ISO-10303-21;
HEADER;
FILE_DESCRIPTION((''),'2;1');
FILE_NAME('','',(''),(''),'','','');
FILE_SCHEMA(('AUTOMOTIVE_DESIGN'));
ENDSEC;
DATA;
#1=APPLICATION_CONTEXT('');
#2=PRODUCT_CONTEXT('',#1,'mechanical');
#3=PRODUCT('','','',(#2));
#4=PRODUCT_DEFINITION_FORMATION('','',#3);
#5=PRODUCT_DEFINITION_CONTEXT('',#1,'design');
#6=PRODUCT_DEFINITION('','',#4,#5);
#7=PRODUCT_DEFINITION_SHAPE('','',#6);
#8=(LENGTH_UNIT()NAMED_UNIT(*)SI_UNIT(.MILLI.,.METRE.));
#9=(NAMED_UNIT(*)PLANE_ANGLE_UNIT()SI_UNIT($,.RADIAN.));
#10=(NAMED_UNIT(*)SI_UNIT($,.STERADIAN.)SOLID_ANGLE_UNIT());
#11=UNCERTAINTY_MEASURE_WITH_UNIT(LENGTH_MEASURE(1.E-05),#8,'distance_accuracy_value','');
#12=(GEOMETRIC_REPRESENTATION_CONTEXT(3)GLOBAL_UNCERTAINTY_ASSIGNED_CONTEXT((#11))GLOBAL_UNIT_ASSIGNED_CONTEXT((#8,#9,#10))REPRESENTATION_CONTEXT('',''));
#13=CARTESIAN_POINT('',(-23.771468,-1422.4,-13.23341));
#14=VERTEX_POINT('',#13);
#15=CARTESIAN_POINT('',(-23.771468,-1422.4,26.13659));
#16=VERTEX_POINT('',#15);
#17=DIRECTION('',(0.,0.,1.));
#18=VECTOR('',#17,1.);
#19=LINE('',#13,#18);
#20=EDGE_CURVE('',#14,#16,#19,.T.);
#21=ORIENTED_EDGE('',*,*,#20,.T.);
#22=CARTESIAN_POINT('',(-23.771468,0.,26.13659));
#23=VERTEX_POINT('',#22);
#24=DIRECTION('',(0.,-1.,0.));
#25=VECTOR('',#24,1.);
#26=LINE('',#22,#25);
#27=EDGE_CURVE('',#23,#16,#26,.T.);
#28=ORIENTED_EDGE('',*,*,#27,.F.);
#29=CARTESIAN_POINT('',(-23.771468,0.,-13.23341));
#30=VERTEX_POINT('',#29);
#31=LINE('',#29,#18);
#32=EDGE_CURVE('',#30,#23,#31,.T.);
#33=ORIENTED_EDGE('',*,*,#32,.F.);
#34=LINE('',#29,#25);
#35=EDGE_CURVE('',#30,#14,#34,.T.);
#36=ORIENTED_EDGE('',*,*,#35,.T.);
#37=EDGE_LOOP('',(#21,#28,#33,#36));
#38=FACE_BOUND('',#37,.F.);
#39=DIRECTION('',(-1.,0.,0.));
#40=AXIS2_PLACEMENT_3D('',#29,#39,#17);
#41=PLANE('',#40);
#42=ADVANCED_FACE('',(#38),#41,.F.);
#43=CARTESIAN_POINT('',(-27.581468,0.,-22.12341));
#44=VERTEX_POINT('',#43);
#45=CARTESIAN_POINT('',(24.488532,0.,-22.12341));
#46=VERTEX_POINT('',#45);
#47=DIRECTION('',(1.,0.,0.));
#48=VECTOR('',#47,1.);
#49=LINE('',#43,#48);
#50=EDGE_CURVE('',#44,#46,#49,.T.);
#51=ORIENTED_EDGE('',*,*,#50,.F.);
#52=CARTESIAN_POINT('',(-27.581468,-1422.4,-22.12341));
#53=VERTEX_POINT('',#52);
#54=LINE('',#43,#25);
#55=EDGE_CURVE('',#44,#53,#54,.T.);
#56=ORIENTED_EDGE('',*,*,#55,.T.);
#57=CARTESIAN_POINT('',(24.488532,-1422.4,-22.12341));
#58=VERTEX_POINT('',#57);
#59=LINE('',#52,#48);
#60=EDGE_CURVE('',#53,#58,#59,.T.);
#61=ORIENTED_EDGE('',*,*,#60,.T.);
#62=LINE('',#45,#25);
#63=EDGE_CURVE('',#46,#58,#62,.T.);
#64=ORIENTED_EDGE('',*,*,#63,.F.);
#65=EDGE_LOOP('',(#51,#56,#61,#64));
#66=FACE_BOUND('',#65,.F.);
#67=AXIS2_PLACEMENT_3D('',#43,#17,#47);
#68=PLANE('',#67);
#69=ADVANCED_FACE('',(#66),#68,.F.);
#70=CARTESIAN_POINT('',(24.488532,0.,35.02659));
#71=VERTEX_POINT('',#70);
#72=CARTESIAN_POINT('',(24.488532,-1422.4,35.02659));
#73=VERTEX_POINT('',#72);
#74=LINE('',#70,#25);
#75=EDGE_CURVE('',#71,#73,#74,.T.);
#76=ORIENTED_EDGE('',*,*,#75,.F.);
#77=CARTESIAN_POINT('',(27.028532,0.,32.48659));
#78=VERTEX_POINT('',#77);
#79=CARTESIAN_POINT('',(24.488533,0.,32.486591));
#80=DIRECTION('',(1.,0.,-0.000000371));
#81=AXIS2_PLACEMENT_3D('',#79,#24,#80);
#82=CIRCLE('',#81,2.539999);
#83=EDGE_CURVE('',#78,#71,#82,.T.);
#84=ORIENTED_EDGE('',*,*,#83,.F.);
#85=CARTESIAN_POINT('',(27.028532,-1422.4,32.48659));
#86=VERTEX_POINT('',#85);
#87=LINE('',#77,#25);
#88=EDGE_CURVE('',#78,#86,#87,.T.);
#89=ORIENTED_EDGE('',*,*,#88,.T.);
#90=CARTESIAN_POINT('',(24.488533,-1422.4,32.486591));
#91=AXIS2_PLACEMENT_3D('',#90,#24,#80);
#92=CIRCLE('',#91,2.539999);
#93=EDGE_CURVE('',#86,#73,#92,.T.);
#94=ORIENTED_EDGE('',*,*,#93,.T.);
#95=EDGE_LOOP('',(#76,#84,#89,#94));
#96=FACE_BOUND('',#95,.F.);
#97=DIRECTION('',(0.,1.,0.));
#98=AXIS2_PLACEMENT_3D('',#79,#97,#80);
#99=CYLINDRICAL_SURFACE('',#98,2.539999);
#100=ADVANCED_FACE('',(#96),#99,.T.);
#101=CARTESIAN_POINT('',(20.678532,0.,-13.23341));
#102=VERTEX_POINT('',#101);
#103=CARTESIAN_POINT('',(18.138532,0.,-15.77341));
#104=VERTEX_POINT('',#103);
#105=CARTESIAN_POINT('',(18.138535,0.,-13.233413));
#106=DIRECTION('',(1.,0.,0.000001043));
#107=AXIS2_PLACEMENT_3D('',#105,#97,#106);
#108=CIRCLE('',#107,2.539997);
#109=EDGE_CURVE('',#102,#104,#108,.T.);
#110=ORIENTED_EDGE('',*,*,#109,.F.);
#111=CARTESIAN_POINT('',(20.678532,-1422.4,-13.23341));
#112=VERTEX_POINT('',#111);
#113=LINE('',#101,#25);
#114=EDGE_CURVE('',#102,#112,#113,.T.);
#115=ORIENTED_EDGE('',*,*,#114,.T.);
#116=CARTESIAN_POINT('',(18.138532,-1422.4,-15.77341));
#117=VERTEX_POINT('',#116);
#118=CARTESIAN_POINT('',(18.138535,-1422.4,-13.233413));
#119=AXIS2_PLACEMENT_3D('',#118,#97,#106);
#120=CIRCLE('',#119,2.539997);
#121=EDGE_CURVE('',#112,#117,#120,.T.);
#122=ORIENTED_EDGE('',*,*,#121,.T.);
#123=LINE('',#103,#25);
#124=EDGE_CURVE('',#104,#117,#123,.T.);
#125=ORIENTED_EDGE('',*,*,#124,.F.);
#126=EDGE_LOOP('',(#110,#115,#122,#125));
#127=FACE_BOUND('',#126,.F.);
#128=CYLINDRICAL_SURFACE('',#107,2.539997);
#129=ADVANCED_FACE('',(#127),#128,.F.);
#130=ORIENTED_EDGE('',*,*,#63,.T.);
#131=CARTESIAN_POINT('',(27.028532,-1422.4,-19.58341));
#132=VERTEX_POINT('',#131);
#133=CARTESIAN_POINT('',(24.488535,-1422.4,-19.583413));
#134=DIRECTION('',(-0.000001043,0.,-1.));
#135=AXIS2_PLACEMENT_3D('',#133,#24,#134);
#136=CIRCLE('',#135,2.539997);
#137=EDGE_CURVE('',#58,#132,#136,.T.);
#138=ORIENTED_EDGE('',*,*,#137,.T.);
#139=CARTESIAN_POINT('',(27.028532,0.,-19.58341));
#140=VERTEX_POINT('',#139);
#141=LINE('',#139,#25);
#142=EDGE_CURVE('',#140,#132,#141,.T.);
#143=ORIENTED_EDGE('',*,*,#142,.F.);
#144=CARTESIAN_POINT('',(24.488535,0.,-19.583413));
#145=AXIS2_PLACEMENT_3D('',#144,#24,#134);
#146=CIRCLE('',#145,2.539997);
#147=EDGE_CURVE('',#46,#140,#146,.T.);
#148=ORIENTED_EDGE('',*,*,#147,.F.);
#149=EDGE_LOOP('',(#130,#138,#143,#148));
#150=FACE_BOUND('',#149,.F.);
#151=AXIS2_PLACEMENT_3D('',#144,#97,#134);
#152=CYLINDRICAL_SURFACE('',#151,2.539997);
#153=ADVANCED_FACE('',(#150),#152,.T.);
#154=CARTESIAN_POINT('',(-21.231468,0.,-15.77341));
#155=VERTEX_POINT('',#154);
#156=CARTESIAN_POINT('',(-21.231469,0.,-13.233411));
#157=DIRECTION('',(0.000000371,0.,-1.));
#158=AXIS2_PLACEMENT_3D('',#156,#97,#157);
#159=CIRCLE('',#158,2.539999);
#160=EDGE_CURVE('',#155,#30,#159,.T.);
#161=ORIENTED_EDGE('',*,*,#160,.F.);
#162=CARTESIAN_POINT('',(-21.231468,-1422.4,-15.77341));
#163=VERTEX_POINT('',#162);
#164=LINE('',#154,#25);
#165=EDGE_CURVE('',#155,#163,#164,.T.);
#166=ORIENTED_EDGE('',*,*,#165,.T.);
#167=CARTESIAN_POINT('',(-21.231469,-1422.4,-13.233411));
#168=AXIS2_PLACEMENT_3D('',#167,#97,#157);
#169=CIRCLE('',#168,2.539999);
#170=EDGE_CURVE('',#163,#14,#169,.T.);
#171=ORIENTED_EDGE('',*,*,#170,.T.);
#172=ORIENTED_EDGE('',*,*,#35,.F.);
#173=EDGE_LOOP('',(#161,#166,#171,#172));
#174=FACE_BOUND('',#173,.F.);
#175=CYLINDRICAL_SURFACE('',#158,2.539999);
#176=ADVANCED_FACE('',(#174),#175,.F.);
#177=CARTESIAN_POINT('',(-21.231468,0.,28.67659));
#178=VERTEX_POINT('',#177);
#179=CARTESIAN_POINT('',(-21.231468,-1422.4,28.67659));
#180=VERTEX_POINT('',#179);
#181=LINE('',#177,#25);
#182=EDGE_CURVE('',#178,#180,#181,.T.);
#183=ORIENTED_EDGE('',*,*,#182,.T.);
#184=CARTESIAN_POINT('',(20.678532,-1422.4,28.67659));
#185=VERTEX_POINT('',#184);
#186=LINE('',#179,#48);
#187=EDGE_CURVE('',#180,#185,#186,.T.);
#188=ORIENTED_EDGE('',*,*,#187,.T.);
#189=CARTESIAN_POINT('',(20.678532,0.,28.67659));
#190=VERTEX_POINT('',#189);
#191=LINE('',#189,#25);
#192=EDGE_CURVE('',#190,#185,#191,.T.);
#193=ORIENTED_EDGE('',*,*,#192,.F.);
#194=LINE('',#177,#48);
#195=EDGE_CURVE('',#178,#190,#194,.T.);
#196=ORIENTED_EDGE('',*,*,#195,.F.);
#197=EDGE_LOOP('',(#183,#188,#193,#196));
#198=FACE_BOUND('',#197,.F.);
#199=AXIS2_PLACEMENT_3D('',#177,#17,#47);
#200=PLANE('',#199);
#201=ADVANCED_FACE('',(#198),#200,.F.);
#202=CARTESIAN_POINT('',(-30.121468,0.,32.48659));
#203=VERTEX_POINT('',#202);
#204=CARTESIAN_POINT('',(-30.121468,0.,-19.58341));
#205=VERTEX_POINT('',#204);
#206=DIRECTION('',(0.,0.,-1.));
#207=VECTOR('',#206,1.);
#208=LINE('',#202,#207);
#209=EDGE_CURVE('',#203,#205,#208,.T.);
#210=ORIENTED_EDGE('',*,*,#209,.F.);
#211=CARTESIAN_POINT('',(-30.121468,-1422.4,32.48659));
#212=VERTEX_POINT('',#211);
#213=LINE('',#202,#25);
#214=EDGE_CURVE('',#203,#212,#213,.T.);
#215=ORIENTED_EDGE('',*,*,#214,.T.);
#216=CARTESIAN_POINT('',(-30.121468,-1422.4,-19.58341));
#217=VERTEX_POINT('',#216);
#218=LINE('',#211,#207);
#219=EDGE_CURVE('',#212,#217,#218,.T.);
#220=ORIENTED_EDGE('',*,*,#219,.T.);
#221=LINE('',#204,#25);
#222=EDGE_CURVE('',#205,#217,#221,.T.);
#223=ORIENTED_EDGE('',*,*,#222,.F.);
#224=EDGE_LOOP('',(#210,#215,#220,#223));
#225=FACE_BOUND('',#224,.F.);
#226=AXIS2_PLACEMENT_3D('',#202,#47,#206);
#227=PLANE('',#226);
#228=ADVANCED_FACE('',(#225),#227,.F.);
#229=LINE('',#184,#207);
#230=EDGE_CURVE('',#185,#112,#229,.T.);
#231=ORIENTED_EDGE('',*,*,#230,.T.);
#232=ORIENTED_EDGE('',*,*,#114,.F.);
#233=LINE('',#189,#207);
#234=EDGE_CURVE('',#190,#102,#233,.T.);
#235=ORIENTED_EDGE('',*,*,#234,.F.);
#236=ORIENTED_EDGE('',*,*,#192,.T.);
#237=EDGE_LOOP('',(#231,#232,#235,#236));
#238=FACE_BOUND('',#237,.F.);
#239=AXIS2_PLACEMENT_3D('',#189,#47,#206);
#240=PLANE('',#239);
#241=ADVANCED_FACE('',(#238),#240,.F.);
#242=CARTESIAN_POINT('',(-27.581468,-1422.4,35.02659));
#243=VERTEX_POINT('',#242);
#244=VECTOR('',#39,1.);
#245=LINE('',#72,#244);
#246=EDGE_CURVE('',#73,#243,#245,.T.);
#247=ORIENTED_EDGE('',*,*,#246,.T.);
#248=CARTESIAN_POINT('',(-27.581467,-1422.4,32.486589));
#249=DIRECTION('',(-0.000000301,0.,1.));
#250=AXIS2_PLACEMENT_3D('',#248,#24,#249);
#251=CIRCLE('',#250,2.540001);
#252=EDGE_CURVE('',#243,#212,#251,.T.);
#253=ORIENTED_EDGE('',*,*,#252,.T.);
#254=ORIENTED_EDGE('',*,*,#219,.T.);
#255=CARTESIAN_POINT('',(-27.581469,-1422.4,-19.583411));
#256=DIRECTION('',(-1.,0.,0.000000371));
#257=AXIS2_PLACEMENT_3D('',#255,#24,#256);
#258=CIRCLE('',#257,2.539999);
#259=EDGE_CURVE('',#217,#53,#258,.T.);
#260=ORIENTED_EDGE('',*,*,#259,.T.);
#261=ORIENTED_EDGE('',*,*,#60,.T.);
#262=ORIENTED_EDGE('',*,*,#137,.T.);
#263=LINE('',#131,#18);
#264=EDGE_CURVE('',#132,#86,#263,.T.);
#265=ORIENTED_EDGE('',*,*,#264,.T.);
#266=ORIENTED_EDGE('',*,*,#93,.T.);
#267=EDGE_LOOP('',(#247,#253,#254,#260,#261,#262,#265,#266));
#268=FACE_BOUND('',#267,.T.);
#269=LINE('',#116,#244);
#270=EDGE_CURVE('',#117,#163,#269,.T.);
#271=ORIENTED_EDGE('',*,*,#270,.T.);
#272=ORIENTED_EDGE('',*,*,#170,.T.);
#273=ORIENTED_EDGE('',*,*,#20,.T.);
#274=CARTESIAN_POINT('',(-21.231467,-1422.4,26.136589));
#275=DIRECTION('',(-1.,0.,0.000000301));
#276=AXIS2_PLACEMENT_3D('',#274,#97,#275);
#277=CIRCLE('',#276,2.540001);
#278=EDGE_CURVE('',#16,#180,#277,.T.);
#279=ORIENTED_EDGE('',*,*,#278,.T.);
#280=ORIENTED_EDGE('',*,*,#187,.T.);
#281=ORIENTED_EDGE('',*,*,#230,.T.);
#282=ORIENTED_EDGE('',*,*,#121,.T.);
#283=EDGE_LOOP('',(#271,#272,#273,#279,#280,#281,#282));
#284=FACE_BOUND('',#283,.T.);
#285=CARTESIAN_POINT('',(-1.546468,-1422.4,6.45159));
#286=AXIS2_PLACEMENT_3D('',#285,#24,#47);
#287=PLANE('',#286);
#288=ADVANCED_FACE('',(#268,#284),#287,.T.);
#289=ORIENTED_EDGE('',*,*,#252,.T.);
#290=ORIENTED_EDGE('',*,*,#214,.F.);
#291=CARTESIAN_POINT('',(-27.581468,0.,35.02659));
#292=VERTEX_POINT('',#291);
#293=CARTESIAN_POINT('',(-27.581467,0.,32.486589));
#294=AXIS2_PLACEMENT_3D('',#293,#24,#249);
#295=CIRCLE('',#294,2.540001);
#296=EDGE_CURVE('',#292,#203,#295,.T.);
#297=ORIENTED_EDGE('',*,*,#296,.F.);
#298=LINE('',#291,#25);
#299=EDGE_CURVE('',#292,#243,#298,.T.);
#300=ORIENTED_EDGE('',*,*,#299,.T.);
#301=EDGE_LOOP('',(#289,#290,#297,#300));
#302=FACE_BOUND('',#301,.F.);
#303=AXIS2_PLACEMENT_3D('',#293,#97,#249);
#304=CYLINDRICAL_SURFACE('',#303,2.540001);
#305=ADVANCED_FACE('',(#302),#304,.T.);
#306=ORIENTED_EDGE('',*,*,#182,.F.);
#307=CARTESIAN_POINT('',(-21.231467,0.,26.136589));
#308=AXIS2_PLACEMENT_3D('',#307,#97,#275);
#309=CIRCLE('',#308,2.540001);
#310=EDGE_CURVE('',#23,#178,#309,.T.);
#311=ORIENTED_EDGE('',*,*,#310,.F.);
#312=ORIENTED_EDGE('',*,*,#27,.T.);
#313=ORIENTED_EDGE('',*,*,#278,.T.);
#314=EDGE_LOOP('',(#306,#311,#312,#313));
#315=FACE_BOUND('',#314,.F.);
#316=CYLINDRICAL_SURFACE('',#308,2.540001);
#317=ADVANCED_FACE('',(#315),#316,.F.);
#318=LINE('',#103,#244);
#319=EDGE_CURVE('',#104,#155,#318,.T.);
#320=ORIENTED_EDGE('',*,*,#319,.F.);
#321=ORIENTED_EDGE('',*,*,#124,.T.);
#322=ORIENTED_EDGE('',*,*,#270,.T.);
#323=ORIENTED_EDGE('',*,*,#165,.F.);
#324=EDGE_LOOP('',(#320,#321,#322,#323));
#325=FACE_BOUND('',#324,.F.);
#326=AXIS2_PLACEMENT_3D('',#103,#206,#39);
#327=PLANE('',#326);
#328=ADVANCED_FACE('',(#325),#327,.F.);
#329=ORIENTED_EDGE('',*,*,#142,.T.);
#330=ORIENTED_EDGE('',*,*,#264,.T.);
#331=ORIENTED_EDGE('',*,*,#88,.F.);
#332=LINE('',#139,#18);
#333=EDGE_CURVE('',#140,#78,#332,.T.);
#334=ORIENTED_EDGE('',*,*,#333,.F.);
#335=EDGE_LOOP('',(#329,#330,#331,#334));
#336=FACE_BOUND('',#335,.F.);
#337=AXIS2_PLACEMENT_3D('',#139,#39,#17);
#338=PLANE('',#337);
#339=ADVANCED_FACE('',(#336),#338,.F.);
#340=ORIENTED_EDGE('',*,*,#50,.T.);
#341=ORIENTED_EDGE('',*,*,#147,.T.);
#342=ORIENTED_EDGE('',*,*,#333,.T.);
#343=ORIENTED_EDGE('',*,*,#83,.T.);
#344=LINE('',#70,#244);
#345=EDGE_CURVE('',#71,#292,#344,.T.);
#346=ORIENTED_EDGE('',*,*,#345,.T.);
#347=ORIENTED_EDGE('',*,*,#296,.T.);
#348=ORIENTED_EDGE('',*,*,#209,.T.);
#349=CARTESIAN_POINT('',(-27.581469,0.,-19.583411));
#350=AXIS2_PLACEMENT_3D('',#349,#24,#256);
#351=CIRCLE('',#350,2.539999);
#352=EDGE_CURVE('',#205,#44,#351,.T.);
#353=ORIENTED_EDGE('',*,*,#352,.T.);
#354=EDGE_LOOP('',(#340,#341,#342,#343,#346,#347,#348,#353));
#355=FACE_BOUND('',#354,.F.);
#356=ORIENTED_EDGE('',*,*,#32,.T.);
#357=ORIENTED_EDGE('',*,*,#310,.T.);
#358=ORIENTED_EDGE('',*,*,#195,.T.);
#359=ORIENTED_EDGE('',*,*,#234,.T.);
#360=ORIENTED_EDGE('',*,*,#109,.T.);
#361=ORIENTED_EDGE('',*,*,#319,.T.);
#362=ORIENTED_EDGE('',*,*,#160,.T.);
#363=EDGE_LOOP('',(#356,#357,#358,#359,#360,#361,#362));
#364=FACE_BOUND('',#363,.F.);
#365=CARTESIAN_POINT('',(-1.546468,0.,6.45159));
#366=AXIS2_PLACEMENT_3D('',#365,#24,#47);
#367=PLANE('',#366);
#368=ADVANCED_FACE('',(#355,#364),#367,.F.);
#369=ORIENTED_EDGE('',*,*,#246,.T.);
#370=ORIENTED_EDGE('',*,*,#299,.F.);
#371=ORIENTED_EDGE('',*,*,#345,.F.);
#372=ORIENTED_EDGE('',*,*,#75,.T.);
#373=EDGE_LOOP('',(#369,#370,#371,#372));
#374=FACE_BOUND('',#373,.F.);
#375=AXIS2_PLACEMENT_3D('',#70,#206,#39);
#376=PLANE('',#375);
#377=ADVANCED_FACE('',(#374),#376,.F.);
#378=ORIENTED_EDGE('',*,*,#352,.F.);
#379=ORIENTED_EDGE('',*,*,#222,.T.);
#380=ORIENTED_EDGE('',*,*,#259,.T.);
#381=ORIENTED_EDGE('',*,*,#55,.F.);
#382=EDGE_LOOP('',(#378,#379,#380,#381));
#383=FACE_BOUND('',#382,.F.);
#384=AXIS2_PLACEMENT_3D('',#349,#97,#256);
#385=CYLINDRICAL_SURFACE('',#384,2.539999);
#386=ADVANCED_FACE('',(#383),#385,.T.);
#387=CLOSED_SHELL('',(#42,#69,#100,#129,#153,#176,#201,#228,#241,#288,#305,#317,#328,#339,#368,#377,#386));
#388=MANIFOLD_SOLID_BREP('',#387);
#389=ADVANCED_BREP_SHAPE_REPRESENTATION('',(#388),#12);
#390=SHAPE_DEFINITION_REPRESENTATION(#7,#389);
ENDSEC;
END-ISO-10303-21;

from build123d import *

# Parameters (mm, degrees)
F1_DEPTH = 1422.4


with BuildPart() as f1:
    # F0 (on Front) → F1 (new body)
    with BuildSketch(Plane.XZ):
        with BuildLine():
            Line((24.488532, 35.02659), (-27.581468, 35.02659))
            ThreePointArc((-27.581468, 35.02659), (-29.377519, 34.282641), (-30.121468, 32.48659))
            Line((-30.121468, 32.48659), (-30.121468, -19.58341))
            ThreePointArc((-30.121468, -19.58341), (-29.377519, -21.379462), (-27.581468, -22.12341))
            Line((-27.581468, -22.12341), (24.488532, -22.12341))
            ThreePointArc((24.488532, -22.12341), (26.284584, -21.379462), (27.028532, -19.58341))
            Line((27.028532, -19.58341), (27.028532, 32.48659))
            ThreePointArc((27.028532, 32.48659), (26.284584, 34.282641), (24.488532, 35.02659))
        make_face()
        with BuildLine():
            ThreePointArc((-23.771468, 26.13659), (-23.027519, 27.932641), (-21.231468, 28.67659))
            Line((-21.231468, 28.67659), (20.678532, 28.67659))
            Line((20.678532, 28.67659), (20.678532, -13.23341))
            ThreePointArc((20.678532, -13.23341), (19.934584, -15.029462), (18.138532, -15.77341))
            Line((18.138532, -15.77341), (-21.231468, -15.77341))
            ThreePointArc((-21.231468, -15.77341), (-23.027519, -15.029462), (-23.771468, -13.23341))
            Line((-23.771468, -13.23341), (-23.771468, 26.13659))
        make_face(mode=Mode.SUBTRACT)
    extrude(amount=F1_DEPTH)


solid = f1.part
